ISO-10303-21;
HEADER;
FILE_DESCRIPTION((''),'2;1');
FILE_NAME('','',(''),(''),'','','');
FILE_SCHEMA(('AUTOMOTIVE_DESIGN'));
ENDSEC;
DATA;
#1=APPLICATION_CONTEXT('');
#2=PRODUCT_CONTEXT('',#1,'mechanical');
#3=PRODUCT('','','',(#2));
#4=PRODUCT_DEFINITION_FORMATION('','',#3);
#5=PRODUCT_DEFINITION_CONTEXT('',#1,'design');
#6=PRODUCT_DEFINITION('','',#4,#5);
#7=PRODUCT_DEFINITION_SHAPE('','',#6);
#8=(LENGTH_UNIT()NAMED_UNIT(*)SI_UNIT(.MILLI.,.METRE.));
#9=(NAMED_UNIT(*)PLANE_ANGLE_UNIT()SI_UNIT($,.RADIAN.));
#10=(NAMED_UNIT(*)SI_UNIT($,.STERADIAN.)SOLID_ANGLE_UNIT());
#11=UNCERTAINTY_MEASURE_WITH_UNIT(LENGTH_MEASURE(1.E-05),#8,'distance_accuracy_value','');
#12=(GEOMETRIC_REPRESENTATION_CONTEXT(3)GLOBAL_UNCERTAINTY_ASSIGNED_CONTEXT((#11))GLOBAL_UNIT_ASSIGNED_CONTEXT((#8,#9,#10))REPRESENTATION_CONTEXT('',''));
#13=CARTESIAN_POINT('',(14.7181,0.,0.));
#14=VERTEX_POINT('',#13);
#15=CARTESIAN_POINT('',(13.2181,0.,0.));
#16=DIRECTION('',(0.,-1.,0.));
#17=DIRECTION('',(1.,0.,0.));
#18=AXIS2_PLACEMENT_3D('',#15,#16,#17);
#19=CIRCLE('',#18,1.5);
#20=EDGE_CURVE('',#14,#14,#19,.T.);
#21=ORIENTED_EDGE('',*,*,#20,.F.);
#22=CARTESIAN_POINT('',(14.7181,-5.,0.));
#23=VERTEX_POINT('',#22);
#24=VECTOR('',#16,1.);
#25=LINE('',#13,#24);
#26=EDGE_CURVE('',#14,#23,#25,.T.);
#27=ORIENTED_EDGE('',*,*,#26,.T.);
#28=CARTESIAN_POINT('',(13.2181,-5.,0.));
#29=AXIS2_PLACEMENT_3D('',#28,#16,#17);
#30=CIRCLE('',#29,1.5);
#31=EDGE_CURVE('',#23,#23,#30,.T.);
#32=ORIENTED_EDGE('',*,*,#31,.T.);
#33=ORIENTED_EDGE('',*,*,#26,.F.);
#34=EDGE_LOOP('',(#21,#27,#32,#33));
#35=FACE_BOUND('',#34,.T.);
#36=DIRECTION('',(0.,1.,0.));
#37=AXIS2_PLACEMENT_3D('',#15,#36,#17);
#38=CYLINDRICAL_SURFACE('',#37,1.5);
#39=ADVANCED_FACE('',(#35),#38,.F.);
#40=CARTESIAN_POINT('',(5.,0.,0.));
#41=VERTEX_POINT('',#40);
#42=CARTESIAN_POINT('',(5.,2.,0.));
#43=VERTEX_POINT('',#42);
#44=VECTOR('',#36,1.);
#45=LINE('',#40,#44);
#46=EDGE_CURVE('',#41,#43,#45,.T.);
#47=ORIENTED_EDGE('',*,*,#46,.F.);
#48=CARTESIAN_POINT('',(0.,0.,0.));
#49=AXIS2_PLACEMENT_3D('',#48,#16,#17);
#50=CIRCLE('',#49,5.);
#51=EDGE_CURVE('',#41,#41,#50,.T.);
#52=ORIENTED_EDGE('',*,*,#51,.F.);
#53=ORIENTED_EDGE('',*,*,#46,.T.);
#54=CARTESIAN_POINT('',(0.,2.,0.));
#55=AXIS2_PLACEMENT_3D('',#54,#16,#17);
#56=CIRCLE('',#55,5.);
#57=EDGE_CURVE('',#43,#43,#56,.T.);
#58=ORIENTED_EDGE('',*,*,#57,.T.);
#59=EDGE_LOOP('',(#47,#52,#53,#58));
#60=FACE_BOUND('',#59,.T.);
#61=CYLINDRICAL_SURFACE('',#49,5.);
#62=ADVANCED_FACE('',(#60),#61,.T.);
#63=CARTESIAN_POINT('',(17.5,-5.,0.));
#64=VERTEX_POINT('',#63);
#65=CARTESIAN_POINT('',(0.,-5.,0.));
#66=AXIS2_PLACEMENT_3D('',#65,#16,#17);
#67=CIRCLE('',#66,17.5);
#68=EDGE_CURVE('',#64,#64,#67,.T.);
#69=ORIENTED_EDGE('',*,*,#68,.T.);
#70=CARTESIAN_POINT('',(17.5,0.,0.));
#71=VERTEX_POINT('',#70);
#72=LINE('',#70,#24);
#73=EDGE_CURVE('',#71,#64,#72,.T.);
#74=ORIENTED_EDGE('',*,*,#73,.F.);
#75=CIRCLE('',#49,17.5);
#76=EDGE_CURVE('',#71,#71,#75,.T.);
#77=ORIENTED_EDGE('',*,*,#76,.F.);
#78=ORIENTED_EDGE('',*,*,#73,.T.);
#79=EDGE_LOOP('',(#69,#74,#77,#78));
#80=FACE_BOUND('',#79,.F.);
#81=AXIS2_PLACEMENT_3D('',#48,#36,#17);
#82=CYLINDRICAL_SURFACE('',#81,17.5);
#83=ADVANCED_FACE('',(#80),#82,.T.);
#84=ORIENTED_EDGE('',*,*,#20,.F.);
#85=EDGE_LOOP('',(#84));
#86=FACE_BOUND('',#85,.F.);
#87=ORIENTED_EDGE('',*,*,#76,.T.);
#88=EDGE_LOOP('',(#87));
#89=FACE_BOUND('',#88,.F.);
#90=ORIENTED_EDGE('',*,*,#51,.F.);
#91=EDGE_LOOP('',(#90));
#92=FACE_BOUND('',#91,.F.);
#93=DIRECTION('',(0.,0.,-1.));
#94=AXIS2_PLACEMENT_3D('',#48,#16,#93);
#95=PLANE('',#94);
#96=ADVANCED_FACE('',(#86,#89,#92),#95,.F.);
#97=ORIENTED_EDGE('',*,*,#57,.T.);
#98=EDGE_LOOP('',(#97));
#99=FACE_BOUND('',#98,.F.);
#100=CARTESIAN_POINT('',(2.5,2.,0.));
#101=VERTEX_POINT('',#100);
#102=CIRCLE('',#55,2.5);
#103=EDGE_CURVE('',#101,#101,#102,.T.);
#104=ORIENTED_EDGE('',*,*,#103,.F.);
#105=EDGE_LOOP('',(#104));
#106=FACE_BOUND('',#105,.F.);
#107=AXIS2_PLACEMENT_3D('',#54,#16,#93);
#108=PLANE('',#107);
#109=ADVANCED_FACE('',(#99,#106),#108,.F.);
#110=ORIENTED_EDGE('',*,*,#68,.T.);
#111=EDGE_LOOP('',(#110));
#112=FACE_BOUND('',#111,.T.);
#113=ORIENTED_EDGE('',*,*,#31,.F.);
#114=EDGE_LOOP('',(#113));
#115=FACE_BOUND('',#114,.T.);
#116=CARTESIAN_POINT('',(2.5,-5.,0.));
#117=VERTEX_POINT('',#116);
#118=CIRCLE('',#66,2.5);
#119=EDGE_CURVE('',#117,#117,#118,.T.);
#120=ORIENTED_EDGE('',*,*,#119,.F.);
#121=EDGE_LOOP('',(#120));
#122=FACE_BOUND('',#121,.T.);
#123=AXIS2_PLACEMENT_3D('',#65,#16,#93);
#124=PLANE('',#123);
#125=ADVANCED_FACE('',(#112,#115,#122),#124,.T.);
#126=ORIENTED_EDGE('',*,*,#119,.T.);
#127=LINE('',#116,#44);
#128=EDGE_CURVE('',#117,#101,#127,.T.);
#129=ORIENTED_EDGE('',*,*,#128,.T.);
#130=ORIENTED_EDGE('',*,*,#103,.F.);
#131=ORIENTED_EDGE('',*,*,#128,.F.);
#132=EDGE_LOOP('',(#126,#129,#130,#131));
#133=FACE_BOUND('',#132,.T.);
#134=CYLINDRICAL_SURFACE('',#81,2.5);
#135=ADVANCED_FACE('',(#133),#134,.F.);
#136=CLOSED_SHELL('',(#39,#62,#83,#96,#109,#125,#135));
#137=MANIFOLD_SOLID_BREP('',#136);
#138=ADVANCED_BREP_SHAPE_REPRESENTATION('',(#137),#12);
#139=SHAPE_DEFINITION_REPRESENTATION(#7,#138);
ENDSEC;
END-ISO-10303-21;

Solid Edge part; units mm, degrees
sketch "Sketch1" plane through (0, 0, 0) normal (0, -1, 0) x (1, 0, 0)
  circle A0 centre (0, 0) radius 17.5
extrude "Protrusion1" add sketch "Sketch1" along normal blind 5
sketch "Sketch2" plane through (0, 0, 0) normal (0, -1, 0) x (1, 0, 0)
  circle A0 centre (0, 0) radius 5
extrude "ExtrudedProtrusion_2" add sketch "Sketch2" against normal blind 2
sketch "Sketch3" plane through (0, 0, 0) normal (0, -1, 0) x (1, 0, 0)
  circle A0 centre (0, 0) radius 2.5
extrude "ExtrudedCutout_3" cut sketch "Sketch3" against normal blind 2
sketch "Sketch4" plane through (0, 0, 0) normal (0, -1, 0) x (1, 0, 0)
  circle A0 centre (0, 0) radius 2.5
extrude "ExtrudedCutout_4" cut sketch "Sketch4" along normal blind 5
sketch "Sketch5" plane through (0, 0, 0) normal (0, -1, 0) x (1, 0, 0)
  circle A0 centre (13.2181, 0) radius 1.5
extrude "ExtrudedCutout_5" cut sketch "Sketch5" along normal blind 5
